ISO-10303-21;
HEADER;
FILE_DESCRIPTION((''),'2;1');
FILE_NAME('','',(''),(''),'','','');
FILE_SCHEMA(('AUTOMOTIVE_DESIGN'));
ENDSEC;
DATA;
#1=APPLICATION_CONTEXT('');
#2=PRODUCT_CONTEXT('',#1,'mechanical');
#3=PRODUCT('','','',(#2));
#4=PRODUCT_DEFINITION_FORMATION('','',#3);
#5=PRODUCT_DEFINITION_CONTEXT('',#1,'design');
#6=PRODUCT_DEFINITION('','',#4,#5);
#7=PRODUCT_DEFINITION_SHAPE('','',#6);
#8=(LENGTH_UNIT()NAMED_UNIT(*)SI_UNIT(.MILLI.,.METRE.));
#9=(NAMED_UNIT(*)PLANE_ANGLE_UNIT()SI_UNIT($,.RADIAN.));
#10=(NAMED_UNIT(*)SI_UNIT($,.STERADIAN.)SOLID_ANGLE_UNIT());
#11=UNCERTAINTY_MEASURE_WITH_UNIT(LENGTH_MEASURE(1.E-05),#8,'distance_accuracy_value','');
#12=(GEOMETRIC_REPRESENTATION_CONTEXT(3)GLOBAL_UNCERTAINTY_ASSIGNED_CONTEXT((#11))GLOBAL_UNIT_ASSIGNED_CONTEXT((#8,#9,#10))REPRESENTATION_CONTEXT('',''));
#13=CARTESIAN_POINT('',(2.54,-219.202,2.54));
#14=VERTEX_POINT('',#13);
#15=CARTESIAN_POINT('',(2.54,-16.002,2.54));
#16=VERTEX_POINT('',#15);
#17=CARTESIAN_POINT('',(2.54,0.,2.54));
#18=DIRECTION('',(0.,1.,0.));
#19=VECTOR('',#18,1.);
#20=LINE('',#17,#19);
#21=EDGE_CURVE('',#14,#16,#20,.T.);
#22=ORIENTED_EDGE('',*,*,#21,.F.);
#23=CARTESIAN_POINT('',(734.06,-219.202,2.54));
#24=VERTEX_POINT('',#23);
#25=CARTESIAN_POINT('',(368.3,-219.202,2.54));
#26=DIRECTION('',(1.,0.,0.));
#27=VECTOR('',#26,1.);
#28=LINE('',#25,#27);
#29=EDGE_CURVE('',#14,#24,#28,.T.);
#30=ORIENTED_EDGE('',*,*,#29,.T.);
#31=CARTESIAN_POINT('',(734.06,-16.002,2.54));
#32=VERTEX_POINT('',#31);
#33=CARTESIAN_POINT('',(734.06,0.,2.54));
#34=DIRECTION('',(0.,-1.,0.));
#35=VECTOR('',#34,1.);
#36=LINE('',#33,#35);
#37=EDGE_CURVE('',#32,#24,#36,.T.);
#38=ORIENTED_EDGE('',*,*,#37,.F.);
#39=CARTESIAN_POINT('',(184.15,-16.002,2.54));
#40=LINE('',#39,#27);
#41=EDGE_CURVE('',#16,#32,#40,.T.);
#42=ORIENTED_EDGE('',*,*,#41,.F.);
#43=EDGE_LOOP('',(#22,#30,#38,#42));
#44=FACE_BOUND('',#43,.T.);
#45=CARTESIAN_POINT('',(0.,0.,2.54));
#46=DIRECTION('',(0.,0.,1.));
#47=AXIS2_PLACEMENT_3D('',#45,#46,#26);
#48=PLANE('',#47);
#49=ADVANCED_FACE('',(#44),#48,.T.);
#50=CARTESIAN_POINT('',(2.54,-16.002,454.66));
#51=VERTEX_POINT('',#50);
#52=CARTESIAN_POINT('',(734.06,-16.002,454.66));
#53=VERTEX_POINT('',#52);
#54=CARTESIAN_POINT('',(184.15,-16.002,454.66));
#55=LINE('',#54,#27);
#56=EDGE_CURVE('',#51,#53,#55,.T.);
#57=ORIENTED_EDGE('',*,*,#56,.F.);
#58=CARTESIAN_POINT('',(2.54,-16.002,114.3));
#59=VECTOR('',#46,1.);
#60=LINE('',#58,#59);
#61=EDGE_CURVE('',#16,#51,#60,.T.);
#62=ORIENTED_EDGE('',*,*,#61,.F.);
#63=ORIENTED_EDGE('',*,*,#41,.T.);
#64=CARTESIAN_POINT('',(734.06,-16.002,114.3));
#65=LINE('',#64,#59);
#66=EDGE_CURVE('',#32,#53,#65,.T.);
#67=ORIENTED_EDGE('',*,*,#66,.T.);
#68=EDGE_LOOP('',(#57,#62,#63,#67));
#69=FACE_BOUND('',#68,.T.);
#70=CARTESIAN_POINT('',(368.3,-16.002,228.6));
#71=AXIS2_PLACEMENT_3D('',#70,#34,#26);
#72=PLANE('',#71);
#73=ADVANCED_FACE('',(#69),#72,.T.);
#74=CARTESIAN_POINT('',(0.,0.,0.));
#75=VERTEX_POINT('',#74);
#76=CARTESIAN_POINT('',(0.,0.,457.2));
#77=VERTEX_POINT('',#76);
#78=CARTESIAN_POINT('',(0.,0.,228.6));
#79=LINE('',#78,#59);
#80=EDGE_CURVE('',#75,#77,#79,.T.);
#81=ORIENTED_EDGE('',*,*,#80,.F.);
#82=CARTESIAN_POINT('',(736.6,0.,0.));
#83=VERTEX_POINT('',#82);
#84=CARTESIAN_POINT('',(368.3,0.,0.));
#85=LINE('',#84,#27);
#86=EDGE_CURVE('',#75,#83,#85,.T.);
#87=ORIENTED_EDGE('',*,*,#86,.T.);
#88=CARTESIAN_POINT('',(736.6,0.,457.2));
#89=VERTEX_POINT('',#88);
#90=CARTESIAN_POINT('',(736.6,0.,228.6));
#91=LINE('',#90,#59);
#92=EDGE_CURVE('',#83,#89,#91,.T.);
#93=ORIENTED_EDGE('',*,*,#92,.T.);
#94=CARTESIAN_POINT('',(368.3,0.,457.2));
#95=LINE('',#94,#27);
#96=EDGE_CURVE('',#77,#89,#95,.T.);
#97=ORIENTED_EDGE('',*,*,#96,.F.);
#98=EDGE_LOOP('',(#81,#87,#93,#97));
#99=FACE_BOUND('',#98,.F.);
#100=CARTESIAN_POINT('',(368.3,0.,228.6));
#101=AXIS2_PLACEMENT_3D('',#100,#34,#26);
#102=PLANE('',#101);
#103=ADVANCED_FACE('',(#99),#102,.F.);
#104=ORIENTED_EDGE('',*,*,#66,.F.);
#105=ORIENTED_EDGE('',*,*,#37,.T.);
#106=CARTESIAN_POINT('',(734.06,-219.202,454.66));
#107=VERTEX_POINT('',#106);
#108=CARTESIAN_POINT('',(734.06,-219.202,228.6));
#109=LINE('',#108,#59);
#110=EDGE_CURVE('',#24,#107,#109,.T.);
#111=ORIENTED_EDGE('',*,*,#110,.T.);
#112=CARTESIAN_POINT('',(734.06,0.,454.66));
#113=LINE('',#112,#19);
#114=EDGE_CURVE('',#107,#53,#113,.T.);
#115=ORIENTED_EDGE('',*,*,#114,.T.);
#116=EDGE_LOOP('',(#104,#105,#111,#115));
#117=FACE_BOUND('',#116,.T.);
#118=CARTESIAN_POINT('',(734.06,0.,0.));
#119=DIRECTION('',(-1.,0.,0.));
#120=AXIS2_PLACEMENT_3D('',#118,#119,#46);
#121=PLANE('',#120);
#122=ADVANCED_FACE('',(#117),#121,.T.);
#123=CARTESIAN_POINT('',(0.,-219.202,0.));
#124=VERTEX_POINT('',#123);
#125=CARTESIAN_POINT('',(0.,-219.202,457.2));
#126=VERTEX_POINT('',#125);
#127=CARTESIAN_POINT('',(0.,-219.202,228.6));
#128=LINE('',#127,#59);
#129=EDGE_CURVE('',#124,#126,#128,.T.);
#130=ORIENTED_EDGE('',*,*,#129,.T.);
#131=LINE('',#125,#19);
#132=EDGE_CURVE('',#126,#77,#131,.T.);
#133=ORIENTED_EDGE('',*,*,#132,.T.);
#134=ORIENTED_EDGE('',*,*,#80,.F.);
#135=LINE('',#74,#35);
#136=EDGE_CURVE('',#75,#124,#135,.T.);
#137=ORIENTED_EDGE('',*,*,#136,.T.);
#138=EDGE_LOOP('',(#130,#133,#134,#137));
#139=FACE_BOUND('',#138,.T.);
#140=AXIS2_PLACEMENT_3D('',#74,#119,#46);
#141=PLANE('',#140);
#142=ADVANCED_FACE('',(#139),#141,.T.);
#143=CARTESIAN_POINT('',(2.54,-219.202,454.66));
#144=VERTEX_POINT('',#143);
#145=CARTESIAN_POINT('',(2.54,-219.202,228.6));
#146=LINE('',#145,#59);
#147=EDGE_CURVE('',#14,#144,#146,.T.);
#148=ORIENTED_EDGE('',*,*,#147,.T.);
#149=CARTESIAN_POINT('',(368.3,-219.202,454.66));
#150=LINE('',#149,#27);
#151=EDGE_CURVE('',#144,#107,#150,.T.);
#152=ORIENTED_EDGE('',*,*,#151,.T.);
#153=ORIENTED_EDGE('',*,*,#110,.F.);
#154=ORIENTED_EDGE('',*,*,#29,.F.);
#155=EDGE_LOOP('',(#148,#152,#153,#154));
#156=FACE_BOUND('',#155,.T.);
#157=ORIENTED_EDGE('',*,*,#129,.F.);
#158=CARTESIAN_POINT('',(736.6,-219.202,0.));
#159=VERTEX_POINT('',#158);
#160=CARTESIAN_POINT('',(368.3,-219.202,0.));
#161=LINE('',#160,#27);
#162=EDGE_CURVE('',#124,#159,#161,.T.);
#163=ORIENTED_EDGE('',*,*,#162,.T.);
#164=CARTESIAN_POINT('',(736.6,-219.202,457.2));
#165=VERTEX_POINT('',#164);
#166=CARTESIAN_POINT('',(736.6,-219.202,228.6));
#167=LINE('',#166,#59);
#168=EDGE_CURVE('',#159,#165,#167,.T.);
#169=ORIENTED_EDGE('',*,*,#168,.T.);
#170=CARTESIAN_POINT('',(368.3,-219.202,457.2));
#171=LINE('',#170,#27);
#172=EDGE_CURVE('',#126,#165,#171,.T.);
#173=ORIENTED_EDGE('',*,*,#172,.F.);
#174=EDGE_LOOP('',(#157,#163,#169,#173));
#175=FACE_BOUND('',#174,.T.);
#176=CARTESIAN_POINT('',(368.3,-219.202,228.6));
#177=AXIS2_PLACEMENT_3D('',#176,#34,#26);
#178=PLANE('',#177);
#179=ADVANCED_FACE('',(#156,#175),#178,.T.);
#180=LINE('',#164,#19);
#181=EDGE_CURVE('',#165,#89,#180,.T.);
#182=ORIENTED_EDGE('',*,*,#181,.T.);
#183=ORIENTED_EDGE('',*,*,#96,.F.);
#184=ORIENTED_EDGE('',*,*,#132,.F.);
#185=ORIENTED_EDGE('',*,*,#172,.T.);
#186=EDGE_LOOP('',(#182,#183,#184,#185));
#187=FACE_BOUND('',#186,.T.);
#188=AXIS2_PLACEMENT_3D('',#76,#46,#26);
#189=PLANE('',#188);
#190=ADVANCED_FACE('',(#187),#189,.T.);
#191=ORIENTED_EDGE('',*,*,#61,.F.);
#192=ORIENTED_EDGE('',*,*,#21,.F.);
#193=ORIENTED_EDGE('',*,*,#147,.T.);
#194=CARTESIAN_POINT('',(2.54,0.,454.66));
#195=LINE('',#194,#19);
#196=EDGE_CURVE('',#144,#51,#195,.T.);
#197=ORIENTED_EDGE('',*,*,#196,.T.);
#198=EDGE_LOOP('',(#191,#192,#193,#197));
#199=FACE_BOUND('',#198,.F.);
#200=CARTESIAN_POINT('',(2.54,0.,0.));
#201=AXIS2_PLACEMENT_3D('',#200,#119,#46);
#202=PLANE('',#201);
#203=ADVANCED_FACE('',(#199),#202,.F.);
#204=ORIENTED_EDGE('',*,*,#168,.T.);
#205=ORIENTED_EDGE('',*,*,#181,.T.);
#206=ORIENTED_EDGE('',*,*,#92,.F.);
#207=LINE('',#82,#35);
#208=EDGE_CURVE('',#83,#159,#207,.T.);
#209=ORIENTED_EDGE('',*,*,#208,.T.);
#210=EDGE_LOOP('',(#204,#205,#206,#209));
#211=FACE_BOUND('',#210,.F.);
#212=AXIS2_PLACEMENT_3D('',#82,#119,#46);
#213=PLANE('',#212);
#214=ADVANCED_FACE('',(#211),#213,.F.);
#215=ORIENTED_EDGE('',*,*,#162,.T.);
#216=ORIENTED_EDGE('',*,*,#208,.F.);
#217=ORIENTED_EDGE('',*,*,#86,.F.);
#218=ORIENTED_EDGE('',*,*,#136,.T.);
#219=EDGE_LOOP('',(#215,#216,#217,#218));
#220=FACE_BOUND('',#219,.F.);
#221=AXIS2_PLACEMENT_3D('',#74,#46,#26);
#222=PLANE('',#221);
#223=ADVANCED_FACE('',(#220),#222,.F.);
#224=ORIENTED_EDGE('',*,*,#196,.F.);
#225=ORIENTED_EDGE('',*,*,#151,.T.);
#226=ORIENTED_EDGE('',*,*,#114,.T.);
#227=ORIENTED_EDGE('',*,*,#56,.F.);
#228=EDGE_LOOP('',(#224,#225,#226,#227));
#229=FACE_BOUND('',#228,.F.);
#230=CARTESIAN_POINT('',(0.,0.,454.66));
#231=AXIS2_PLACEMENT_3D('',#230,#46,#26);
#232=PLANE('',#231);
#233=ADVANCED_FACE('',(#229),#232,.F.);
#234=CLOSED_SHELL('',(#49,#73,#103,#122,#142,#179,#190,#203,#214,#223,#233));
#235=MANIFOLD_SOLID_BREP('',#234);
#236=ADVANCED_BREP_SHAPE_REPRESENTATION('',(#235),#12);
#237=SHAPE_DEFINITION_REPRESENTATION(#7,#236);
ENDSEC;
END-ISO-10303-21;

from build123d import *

# Parameters (mm, degrees)
F0_W     = 736.6
F0_H     = 457.2
F2_DEPTH = 219.202
F3_T     = -2.54
F1_W     = 736.6
F1_H     = 457.2
F4_DEPTH = 16.002


with BuildPart() as f2:
    # F0 (on Front) → F2 (new body)
    with BuildSketch(Plane.XZ):
        with Locations((368.3, 228.6)):
            Rectangle(F0_W, F0_H)
    extrude(amount=F2_DEPTH)

    # F3
    f3_openings = [f2.faces().sort_by_distance(p)[0] for p in [
        (368.3, -219.202, 228.6),
    ]]
    offset(amount=F3_T, openings=f3_openings)

    # F1 (on Front) → F4 (join)
    with BuildSketch(Plane.XZ):
        with Locations((368.3, 228.6)):
            Rectangle(F1_W, F1_H)
    extrude(amount=F4_DEPTH)


solid = f2.part
